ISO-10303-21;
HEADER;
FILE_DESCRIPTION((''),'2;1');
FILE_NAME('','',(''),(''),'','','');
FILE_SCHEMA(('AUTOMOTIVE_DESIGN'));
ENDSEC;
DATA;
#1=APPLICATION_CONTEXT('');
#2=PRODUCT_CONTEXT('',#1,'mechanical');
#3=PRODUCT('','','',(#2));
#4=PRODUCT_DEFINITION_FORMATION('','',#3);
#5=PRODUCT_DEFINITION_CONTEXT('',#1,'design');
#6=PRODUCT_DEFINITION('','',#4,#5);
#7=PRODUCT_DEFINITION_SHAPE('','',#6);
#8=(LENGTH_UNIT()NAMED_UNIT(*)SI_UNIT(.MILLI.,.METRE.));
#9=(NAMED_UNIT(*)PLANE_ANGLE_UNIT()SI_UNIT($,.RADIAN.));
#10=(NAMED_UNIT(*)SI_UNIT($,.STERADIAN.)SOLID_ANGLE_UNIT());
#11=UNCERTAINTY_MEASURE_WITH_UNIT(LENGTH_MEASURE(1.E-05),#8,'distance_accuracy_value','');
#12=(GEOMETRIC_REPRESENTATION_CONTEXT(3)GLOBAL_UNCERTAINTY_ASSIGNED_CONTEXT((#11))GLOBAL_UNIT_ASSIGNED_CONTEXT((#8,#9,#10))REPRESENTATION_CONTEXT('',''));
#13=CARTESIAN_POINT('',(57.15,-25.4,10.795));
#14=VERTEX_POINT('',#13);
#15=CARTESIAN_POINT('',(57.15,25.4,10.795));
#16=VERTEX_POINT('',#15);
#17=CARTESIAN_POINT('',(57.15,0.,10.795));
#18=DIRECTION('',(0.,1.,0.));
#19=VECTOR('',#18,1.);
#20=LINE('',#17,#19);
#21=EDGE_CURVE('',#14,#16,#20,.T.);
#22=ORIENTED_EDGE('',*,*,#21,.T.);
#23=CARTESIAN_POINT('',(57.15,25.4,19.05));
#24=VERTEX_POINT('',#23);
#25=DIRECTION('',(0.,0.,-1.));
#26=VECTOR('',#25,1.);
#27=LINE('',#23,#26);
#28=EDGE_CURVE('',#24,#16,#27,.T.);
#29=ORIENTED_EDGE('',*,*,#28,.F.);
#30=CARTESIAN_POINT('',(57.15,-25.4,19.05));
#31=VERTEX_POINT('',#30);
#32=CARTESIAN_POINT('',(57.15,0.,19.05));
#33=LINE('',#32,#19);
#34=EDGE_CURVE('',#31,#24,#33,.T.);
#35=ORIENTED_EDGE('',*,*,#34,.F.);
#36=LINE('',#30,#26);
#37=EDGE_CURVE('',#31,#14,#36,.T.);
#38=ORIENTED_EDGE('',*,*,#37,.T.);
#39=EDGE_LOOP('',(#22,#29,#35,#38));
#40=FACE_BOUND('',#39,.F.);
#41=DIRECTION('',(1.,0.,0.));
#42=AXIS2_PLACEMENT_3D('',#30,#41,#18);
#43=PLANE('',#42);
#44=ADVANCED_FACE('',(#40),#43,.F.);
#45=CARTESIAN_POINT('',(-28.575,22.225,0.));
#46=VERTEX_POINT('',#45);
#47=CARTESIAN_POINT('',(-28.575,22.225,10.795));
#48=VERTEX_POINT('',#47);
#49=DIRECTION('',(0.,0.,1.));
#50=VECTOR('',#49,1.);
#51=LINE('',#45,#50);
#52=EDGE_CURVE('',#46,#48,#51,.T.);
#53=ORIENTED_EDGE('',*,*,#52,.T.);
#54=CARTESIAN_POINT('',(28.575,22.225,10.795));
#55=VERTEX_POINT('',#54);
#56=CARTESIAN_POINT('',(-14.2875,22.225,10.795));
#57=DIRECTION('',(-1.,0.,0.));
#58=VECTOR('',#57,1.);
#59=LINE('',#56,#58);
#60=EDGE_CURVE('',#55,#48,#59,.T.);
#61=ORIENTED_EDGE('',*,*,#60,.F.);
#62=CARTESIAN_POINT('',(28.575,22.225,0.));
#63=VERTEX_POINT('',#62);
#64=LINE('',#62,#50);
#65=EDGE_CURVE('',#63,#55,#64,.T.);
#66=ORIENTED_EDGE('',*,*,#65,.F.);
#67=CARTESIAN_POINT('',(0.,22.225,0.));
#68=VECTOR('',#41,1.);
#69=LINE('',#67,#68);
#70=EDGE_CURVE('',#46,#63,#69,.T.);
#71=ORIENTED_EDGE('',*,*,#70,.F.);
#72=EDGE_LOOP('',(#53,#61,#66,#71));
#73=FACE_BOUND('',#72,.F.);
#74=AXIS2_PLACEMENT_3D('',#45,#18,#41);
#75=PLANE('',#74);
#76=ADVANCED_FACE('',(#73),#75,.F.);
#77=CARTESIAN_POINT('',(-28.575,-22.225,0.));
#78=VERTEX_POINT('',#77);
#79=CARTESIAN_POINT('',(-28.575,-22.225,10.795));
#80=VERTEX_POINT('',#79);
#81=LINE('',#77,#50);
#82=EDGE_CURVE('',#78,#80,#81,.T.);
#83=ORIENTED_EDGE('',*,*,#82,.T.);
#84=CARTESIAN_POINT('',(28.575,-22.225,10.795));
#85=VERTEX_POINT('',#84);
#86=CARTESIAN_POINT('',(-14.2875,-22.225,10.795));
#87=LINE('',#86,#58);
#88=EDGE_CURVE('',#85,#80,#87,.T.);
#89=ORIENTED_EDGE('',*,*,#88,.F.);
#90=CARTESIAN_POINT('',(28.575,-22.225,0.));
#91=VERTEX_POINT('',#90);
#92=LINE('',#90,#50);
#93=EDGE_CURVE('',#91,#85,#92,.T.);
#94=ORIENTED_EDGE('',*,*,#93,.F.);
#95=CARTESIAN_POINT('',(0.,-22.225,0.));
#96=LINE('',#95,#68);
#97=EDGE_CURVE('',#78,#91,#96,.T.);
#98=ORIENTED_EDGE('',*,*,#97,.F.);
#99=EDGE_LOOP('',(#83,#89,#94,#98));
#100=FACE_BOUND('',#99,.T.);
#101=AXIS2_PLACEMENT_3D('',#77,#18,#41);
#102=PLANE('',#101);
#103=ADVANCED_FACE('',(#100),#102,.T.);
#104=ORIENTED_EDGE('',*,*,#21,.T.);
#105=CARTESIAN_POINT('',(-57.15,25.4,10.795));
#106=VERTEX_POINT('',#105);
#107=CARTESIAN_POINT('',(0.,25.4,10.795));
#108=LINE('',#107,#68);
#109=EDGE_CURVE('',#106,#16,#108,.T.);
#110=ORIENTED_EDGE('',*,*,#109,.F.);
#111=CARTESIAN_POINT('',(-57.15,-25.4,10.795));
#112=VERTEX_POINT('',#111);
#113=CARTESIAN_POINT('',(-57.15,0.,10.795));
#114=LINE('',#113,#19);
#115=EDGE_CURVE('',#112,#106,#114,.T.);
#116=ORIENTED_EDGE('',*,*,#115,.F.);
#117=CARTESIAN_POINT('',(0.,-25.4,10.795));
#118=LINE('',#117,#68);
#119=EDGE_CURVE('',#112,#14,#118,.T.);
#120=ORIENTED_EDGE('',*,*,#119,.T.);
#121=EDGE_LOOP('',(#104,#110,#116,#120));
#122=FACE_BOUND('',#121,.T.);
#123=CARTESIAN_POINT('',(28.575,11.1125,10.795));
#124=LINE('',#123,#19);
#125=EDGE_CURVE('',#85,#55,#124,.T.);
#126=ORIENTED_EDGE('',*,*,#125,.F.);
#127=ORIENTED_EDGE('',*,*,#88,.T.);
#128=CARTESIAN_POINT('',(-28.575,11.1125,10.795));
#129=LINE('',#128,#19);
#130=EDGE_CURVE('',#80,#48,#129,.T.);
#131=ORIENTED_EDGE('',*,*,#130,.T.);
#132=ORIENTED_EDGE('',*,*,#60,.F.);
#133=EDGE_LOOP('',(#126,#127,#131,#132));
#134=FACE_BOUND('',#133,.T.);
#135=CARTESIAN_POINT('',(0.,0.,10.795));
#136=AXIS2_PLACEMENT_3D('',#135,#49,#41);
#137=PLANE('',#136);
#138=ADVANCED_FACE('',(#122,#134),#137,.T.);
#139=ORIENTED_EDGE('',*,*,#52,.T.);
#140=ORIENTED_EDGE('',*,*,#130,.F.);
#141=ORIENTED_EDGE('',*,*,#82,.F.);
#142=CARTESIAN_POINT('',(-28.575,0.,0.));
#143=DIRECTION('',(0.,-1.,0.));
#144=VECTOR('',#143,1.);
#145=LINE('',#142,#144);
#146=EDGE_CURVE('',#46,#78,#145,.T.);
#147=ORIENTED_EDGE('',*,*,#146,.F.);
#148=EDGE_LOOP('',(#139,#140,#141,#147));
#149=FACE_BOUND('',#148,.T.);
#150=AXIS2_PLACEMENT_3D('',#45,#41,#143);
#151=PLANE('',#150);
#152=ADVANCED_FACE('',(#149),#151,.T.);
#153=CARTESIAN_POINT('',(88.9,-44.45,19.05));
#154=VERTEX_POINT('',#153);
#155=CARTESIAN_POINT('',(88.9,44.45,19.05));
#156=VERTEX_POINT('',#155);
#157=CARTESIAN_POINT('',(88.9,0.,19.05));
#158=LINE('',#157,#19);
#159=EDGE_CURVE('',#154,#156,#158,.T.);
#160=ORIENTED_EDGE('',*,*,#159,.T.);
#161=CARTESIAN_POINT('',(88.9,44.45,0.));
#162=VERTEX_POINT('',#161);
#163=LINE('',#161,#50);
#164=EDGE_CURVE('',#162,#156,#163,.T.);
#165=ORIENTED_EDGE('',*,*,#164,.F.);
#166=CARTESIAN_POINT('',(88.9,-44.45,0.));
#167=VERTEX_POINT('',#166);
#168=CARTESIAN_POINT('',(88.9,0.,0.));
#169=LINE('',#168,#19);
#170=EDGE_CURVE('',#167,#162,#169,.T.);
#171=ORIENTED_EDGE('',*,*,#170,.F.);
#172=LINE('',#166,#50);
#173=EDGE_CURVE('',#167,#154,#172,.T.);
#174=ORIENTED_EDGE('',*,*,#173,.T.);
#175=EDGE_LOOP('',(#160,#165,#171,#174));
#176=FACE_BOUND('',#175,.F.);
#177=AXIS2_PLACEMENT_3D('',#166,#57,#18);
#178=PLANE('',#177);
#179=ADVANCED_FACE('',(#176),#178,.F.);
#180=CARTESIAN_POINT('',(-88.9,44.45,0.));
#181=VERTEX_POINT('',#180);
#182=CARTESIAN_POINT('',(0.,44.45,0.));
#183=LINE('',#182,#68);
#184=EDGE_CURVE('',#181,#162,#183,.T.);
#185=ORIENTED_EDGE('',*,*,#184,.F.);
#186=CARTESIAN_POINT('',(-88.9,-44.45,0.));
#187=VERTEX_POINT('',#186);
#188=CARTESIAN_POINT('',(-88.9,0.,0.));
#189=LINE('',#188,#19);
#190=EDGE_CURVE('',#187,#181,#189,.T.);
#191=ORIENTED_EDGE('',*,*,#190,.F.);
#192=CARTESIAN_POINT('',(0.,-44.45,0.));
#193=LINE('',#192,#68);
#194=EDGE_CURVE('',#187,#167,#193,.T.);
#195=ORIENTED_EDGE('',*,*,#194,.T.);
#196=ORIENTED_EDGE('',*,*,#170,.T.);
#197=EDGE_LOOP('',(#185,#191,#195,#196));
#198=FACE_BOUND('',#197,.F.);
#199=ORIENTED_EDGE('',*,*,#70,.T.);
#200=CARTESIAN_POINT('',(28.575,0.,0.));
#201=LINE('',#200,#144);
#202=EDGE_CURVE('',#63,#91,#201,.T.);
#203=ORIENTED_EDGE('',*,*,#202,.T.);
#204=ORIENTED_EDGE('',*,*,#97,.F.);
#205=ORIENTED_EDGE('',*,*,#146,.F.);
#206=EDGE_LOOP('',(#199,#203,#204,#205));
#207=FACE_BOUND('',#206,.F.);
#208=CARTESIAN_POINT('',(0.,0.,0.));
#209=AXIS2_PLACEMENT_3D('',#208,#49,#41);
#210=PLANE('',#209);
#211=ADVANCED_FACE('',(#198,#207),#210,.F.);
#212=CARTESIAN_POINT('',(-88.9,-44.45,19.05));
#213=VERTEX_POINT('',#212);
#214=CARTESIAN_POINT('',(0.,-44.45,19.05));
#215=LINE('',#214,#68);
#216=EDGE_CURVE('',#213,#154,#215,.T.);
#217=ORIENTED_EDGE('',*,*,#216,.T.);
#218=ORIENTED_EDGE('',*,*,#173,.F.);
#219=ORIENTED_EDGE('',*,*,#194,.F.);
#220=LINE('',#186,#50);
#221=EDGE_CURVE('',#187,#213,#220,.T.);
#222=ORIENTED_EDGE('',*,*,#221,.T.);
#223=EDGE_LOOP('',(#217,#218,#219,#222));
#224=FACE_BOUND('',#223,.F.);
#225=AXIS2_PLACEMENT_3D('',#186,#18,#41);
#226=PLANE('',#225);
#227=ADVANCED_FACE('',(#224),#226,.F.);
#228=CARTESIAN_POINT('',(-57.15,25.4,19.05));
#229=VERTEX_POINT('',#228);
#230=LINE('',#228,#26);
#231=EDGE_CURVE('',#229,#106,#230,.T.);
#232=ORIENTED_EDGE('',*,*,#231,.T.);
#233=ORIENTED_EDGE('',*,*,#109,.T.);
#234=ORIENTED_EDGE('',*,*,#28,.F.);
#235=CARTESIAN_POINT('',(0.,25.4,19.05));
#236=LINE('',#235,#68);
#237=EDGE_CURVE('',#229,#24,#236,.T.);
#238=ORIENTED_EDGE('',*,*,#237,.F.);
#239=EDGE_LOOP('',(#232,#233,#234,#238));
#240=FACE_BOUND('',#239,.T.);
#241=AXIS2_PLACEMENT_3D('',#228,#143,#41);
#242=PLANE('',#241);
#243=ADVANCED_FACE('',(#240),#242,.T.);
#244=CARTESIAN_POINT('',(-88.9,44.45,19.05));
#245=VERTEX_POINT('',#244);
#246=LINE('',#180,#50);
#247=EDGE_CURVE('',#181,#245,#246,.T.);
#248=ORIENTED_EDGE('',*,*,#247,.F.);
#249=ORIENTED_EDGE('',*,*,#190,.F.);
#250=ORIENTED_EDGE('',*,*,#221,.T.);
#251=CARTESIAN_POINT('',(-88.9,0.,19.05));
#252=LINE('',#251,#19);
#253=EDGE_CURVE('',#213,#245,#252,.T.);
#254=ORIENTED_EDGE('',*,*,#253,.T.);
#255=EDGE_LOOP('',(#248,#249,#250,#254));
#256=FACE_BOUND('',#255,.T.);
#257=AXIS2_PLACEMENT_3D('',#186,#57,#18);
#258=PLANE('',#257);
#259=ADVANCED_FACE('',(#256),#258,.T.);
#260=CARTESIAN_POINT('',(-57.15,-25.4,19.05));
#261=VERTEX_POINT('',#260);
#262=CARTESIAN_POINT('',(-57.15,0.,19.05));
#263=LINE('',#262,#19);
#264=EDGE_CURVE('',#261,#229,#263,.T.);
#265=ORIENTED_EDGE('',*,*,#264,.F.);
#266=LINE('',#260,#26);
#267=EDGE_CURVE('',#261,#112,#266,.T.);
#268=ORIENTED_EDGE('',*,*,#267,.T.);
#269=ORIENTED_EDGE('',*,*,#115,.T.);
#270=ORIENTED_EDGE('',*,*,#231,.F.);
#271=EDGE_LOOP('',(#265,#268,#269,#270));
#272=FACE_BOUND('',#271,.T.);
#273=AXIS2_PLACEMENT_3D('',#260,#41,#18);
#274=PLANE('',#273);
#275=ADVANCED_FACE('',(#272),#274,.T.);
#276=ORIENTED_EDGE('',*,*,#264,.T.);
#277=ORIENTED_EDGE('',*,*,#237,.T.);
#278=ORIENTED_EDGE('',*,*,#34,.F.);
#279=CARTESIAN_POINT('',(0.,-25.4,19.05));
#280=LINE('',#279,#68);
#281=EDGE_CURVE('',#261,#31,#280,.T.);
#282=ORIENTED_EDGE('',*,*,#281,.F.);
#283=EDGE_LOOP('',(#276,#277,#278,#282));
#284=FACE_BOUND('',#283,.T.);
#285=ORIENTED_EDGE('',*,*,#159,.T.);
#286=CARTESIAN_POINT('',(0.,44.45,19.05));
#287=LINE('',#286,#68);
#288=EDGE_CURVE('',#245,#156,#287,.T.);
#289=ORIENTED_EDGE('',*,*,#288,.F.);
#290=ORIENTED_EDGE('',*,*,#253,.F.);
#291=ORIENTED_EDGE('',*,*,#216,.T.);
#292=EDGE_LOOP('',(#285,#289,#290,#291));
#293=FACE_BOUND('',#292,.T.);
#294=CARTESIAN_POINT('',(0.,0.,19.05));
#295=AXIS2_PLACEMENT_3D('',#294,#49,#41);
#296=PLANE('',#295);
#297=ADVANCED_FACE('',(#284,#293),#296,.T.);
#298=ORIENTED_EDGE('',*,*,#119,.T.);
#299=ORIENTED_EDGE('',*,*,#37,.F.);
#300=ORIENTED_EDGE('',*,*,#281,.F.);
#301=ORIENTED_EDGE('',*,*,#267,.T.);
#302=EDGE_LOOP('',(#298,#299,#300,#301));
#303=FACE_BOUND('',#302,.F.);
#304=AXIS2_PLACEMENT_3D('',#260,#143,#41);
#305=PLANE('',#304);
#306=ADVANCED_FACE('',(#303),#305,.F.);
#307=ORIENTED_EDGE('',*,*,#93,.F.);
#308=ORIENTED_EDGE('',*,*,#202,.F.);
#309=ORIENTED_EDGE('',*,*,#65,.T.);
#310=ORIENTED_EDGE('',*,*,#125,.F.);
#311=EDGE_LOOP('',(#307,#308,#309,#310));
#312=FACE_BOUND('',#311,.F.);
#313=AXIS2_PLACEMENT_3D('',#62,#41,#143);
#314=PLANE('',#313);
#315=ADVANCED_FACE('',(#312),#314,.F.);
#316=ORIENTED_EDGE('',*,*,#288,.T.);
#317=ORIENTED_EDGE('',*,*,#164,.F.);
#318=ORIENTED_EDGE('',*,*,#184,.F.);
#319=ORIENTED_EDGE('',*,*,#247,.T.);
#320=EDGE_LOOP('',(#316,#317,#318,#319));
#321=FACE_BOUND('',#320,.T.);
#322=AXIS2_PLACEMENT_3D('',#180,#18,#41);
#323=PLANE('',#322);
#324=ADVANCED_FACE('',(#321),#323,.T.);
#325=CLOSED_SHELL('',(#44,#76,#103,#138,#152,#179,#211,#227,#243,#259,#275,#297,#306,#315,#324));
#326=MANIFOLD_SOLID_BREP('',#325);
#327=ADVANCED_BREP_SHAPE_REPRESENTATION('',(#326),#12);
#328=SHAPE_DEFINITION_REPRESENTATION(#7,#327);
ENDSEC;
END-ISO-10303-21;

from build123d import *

# Parameters (mm, degrees)
F0_W     = 177.8
F0_H     = 88.9
F1_DEPTH = 19.05
F2_W     = 114.3
F2_H     = 50.8
F3_DEPTH = 8.255
F4_W     = 57.15
F4_H     = 44.45
F5_DEPTH = 19.051


with BuildPart() as f1:
    # F0 (on Top) → F1 (new body)
    with BuildSketch(Plane.XY):
        Rectangle(F0_W, F0_H)
    extrude(amount=F1_DEPTH)

    # F2 (on face) → F3 (cut)
    with BuildSketch(Plane.XY.offset(19.05)):
        Rectangle(F2_W, F2_H)
    extrude(amount=-F3_DEPTH, mode=Mode.SUBTRACT)

    # F4 (on face) → F5 (cut, through all)
    with BuildSketch(Plane(origin=(0, 0, 0), x_dir=(1, 0, 0), z_dir=(0, 0, -1))):
        Rectangle(F4_W, F4_H)
    extrude(amount=-F5_DEPTH, mode=Mode.SUBTRACT)


solid = f1.part
